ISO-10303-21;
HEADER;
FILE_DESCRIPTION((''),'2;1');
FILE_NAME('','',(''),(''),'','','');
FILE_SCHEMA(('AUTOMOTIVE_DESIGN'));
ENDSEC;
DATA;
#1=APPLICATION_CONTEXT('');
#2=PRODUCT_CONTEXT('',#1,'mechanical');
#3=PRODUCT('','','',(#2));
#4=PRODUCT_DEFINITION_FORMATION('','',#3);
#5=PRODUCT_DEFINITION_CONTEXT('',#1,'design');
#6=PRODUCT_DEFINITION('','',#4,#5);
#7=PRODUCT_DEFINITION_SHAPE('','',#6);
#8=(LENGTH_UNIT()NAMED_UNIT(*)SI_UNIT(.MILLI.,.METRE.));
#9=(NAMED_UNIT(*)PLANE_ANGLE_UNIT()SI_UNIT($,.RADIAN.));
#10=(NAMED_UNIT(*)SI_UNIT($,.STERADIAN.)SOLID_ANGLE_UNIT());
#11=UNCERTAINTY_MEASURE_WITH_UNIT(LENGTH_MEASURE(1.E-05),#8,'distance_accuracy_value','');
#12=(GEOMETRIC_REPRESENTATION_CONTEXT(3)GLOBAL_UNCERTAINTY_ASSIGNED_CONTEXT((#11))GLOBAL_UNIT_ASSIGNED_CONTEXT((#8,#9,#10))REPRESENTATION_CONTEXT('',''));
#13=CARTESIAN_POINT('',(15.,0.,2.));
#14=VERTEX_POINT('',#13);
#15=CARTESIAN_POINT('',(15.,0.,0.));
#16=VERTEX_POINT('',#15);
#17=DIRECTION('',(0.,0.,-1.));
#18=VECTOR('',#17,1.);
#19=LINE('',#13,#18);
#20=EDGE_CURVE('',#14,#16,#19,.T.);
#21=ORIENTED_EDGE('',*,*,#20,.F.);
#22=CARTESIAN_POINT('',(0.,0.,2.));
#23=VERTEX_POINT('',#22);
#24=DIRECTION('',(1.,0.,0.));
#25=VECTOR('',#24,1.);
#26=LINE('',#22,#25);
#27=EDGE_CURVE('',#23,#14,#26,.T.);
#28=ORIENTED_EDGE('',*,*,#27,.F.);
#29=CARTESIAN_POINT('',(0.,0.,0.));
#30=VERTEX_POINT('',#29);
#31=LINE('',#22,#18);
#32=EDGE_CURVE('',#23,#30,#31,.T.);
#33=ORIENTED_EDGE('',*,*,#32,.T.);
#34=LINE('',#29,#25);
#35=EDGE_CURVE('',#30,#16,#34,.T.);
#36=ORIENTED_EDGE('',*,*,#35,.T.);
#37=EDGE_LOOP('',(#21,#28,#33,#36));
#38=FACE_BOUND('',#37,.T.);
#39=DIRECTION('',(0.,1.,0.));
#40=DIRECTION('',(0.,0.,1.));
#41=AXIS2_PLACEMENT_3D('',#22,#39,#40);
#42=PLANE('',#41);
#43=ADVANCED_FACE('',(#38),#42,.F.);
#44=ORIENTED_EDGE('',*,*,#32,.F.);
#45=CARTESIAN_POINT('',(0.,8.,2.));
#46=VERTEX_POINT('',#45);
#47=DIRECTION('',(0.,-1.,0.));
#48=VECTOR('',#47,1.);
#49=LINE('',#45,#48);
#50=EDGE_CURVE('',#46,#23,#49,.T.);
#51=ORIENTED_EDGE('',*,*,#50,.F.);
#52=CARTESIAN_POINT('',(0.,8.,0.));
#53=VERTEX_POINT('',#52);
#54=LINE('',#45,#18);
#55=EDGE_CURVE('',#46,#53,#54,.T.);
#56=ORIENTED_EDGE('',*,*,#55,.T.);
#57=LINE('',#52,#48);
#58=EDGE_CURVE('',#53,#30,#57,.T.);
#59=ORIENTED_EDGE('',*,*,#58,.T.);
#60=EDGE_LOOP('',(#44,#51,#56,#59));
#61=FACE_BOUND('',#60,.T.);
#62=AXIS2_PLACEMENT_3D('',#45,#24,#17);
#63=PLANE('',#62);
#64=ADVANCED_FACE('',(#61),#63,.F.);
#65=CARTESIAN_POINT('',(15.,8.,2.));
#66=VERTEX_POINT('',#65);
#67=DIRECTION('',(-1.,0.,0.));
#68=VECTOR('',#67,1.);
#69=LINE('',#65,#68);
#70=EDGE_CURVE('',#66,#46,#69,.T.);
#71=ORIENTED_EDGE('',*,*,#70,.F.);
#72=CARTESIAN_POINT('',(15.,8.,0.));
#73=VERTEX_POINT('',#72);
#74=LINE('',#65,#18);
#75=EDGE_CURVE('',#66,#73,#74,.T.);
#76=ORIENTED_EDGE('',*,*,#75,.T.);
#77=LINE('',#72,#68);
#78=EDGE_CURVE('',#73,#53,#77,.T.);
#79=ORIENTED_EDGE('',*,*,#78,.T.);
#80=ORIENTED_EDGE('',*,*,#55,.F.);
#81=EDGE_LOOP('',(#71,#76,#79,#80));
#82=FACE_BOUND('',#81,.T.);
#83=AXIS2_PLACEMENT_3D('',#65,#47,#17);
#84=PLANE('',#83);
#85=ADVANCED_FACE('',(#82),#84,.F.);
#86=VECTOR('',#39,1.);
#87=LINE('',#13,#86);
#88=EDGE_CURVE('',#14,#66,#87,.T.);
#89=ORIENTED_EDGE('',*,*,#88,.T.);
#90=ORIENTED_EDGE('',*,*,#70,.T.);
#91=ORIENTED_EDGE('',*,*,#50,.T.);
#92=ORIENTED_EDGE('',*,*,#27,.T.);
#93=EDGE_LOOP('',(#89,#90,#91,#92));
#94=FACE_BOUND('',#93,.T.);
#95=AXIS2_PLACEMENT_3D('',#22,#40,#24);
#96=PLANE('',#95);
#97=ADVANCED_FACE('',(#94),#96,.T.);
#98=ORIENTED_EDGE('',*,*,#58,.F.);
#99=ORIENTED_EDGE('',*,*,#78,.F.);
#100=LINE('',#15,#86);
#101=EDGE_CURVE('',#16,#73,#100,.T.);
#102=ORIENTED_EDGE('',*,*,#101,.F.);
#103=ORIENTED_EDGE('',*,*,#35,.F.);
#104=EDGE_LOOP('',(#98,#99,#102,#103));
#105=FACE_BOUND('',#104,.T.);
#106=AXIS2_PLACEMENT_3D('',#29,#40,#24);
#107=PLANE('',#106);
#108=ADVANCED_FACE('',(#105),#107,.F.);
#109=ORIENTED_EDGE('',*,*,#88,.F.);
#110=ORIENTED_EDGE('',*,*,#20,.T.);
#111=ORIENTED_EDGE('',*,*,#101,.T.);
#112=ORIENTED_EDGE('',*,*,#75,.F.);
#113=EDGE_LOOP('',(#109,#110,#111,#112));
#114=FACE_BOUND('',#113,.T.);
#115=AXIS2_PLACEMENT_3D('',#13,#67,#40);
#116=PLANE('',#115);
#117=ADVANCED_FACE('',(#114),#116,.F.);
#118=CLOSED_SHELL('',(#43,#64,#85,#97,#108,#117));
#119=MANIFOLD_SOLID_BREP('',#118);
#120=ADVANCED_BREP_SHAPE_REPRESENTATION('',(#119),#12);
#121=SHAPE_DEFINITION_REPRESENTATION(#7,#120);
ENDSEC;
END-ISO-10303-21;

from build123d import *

# Parameters (mm, degrees)
SKETCH_1_W         = 15
SKETCH_1_H         = 8
BLOCKEXTRUDE_DEPTH = 2


with BuildPart() as part:
    # 草图1 → BlockExtrude (new body)
    with BuildSketch(Plane.XY):
        with Locations((7.5, 4)):
            Rectangle(SKETCH_1_W, SKETCH_1_H)
    extrude(amount=BLOCKEXTRUDE_DEPTH)


solid = part.part
